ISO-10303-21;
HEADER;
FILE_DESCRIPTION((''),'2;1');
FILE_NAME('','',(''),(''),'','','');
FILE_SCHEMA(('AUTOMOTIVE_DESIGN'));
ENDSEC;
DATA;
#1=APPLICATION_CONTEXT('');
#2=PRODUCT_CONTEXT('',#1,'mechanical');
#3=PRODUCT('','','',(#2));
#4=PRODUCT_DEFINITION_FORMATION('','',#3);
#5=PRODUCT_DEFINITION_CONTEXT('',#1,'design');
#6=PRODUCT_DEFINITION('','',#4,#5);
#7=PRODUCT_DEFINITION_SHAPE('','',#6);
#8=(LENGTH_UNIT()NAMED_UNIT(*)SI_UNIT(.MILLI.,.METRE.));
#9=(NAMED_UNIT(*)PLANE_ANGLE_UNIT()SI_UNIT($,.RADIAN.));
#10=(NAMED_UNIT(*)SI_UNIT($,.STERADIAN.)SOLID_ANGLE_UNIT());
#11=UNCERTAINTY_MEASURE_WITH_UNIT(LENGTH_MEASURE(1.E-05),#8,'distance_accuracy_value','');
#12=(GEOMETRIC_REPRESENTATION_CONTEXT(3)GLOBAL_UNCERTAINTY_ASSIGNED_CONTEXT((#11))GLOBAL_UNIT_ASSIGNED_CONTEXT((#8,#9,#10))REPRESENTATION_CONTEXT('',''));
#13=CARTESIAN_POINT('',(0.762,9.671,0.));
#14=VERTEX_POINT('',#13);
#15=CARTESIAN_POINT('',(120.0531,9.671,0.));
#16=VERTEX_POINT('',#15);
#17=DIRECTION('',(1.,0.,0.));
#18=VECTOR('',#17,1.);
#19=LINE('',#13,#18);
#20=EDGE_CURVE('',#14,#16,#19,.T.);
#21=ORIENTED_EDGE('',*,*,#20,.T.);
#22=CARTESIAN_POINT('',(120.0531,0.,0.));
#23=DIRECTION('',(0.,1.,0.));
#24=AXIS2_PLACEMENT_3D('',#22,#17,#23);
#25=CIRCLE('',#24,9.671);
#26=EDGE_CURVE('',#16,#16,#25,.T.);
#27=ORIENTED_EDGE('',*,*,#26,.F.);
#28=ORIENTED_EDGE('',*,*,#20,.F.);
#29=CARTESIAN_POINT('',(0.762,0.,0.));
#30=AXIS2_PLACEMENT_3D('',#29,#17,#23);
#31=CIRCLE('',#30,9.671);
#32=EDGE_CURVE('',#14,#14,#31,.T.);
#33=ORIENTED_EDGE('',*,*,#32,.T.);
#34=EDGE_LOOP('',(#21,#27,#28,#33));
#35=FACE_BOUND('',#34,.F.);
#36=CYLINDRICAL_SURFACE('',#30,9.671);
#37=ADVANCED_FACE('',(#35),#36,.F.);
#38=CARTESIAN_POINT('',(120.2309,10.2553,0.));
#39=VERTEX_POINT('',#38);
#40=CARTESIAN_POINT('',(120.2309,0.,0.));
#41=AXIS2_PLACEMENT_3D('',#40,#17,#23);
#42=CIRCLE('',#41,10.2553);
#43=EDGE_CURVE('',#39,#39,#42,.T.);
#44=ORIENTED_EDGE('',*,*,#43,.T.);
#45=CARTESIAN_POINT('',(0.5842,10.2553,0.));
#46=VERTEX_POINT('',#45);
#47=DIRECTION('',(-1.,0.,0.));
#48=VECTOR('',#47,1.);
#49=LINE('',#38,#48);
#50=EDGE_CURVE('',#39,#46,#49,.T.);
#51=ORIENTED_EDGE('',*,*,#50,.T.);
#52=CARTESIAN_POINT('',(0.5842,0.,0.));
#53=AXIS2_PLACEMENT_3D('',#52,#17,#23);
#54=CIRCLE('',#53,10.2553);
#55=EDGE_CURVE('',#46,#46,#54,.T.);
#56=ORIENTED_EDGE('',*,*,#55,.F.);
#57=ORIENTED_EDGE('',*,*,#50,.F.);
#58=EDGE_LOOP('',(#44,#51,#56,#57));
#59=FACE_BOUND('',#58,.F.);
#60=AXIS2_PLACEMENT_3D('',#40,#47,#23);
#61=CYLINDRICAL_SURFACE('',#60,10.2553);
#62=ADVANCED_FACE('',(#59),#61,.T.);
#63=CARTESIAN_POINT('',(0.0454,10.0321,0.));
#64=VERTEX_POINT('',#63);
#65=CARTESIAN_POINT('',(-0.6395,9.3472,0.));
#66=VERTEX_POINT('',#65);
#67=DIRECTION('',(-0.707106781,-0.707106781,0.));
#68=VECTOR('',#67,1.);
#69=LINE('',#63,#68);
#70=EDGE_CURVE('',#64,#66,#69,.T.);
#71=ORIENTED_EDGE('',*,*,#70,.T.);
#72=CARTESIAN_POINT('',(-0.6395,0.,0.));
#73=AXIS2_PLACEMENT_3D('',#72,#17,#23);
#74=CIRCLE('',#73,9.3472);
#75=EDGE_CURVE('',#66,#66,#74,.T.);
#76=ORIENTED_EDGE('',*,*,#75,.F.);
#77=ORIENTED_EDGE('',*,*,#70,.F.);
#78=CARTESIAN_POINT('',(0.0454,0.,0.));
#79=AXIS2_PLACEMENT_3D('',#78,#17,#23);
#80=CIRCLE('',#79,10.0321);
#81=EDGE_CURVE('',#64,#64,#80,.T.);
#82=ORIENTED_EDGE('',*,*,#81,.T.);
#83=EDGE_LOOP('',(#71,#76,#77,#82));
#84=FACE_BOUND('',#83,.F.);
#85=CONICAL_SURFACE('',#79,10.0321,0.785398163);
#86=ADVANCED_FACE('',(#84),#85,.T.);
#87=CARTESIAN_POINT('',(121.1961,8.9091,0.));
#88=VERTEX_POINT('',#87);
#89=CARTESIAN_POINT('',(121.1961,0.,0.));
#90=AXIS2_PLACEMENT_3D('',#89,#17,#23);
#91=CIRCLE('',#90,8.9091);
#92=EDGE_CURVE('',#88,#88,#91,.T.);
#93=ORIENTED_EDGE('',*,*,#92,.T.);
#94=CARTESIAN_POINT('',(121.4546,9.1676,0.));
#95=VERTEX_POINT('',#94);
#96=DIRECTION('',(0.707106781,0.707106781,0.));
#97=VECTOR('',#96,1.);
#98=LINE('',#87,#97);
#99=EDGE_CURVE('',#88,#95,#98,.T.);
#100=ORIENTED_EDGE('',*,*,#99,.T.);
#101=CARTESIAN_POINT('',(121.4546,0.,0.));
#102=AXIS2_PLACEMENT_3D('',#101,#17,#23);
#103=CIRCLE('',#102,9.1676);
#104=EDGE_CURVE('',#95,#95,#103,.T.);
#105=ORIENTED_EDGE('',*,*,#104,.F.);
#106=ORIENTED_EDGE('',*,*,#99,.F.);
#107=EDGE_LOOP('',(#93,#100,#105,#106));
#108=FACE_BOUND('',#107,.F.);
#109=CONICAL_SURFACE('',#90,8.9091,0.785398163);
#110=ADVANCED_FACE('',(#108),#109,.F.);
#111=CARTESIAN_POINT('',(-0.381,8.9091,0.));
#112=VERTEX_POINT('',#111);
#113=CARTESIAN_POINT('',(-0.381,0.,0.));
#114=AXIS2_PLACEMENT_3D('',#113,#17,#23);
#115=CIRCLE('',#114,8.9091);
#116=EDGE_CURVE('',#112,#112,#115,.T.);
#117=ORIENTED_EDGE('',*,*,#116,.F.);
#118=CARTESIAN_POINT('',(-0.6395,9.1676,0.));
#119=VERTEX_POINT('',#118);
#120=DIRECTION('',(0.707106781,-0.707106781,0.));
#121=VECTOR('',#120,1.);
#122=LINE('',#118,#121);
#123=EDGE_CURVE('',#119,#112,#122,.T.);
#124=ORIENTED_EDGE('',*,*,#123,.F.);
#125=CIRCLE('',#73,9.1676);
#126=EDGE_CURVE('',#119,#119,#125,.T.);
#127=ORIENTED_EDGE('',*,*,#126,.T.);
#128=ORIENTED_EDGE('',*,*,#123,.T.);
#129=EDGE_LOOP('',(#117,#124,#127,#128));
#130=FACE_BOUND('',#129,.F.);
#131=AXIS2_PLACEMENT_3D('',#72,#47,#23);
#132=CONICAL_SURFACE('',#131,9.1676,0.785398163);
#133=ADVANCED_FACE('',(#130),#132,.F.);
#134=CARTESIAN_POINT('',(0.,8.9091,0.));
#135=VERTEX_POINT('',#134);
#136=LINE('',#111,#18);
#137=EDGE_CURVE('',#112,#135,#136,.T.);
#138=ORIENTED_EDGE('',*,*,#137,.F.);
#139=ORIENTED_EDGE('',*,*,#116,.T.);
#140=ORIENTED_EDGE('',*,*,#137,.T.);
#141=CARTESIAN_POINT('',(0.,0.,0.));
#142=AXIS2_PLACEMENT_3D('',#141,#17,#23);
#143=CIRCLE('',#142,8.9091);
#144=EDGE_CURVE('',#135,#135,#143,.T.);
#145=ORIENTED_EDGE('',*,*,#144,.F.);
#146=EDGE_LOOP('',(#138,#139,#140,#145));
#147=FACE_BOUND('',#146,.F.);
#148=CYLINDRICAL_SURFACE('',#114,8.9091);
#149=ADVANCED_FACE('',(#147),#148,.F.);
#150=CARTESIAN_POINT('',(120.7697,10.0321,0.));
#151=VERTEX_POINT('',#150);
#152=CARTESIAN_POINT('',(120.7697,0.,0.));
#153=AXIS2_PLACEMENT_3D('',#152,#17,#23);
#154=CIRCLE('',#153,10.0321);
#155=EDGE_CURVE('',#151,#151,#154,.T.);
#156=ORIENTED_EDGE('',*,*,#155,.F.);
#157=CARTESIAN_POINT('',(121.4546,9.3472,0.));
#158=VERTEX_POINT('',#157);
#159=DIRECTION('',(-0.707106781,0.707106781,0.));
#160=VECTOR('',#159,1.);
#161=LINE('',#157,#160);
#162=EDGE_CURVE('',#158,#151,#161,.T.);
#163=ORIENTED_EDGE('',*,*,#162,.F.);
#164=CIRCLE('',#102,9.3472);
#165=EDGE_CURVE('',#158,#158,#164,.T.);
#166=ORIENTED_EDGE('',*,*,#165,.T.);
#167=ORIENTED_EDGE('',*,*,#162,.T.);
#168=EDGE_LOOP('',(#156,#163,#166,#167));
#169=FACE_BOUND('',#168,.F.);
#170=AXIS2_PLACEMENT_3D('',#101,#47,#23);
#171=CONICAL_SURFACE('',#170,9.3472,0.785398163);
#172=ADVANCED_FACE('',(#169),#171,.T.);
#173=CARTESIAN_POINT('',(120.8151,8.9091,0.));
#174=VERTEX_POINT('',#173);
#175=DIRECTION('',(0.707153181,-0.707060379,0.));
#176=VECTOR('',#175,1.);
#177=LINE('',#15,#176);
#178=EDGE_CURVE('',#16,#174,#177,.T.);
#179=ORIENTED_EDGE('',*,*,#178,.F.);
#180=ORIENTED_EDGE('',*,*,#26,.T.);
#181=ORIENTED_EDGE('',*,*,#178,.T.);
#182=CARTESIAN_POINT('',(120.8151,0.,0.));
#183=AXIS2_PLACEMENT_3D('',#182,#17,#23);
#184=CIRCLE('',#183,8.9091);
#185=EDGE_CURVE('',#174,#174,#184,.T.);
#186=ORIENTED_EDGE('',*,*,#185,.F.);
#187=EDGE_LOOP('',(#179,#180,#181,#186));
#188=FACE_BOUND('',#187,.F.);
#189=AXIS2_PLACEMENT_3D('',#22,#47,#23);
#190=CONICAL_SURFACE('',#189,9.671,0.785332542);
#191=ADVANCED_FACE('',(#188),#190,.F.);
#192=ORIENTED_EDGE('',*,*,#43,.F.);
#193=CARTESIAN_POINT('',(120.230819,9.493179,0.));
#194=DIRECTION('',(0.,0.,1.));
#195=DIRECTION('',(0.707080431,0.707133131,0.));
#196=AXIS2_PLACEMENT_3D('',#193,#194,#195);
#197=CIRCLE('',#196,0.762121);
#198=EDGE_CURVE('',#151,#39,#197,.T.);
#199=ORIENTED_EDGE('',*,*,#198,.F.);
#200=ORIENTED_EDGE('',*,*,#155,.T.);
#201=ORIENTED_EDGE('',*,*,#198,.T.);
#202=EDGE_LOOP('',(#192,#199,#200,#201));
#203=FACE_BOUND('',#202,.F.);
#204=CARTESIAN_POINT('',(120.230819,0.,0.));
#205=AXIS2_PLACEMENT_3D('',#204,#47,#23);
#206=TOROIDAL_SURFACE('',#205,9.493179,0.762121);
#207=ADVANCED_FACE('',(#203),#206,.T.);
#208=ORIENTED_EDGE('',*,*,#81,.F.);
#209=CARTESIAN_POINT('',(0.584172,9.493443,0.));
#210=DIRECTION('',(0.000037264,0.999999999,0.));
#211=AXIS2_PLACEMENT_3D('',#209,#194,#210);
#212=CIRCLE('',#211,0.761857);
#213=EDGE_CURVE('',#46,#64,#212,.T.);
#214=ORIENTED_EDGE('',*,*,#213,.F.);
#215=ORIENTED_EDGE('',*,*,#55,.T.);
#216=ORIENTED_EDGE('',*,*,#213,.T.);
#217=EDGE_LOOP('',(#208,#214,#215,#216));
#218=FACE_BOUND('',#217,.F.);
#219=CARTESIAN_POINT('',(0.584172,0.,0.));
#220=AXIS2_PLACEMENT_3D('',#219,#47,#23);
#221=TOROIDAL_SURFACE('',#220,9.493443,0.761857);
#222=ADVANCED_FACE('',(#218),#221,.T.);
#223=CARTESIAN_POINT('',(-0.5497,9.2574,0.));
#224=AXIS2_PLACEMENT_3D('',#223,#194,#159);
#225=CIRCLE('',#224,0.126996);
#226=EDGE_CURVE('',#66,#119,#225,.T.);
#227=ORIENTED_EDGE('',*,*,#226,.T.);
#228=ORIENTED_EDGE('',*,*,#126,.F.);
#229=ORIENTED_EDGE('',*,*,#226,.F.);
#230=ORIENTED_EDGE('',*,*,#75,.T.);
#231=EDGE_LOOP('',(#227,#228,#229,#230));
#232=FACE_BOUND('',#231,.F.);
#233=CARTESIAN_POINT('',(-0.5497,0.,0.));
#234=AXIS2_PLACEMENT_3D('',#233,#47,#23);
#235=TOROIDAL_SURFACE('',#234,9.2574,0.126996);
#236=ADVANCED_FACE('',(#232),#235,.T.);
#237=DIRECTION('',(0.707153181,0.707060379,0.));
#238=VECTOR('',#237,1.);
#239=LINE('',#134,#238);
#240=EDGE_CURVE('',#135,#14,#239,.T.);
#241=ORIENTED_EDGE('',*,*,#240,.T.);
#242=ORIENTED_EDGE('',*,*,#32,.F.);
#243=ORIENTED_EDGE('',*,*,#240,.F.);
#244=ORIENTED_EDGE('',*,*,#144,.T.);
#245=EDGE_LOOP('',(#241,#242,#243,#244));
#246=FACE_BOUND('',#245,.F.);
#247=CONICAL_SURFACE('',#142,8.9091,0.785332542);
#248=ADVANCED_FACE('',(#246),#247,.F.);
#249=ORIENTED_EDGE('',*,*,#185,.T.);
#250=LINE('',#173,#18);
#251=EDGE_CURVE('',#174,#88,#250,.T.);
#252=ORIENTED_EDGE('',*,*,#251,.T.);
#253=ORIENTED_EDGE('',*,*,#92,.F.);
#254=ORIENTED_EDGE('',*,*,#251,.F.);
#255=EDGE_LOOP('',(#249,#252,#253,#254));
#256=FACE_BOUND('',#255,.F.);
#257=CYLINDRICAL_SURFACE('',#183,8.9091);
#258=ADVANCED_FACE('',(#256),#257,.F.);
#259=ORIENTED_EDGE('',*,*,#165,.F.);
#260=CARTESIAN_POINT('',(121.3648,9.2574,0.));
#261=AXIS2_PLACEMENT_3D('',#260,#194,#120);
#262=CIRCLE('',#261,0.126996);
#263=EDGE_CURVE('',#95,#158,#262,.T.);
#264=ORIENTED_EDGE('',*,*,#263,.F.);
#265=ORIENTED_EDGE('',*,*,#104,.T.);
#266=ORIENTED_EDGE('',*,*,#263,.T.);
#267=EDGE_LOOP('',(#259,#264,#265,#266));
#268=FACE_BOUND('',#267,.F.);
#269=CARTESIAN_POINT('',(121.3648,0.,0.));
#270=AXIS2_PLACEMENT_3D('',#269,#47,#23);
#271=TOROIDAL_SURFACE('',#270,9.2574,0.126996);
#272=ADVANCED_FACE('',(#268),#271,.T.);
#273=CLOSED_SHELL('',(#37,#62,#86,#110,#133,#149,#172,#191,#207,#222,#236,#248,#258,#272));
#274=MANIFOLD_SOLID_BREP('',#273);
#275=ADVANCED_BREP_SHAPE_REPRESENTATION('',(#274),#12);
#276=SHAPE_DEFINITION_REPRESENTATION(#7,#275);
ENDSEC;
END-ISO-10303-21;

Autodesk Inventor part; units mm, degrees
sketch "Sketch_1" plane through (0, 0, 0) normal (0, 0, 1) x (1, 0, 0)
  line L0 (120.8151, 0) -> (0, 0)
  arc A0 (-0.6395, 9.3472) -> (-0.6395, 9.1676) centre (-0.5497, 9.2574) ccw
  line L1 (-0.6395, 9.1676) -> (-0.381, 8.9091)
  line L2 (-0.381, 8.9091) -> (0, 8.9091)
  line L3 (0, 8.9091) -> (0.762, 9.671)
  line L4 (0.762, 9.671) -> (120.0531, 9.671)
  line L5 (120.0531, 9.671) -> (120.8151, 8.9091)
  line L6 (120.8151, 8.9091) -> (121.1961, 8.9091)
  line L7 (121.1961, 8.9091) -> (121.4546, 9.1676)
  arc A1 (121.4546, 9.1676) -> (121.4546, 9.3472) centre (121.3648, 9.2574) ccw
  line L8 (121.4546, 9.3472) -> (120.7697, 10.0321)
  arc A2 (120.7697, 10.0321) -> (120.2309, 10.2553) centre (120.2309, 9.4933) ccw
  line L9 (120.2309, 10.2553) -> (0.5842, 10.2553)
  arc A3 (0.5842, 10.2553) -> (0.0454, 10.0321) centre (0.5842, 9.4933) ccw
  line L10 (0.0454, 10.0321) -> (-0.6395, 9.3472)
revolve "Revolution1" add sketch "Sketch_1" angle 360 about axis through (120.8151, 0, 0) along (1, 0, 0)
ref_plane "tube_front_XY" through (0, 0, 0) normal (1, 0, 0) x (0, 0, -1)
ref_plane "tube_front_YZ" through (0, 0, 0) normal (0, 0, -1) x (0, 1, 0)
ref_plane "tube_front_ZX" through (0, 0, 0) normal (0, 1, 0) x (1, 0, 0)
ref_plane "tube_rear_XY" through (120.8151, 0, 0) normal (1, 0, 0) x (0, 0, -1)
ref_plane "tube_rear_YZ" through (120.8151, 0, 0) normal (0, 0, -1) x (0, 1, 0)
ref_plane "tube_rear_ZX" through (120.8151, 0, 0) normal (0, 1, 0) x (1, 0, 0)
ref_plane "cp1_XY" through (60.4076, 10.2553, 0) normal (1, 0, 0) x (0, 0, -1)
ref_plane "cp1_YZ" through (60.4076, 10.2553, 0) normal (0, 0, -1) x (0, 1, 0)
ref_plane "cp1_ZX" through (60.4076, 10.2553, 0) normal (0, 1, 0) x (1, 0, 0)
ref_plane "cp2_XY" through (60.4076, 0, -10.2553) normal (1, 0, 0) x (0, 0, -1)
ref_plane "cp2_YZ" through (60.4076, 0, -10.2553) normal (0, 0, -1) x (0, 1, 0)
ref_plane "cp2_ZX" through (60.4076, 0, -10.2553) normal (0, 1, 0) x (1, 0, 0)
ref_plane "cp3_XY" through (60.4076, -10.2553, 0) normal (1, 0, 0) x (0, 0, -1)
ref_plane "cp3_YZ" through (60.4076, -10.2553, 0) normal (0, 0, -1) x (0, 1, 0)
ref_plane "cp3_ZX" through (60.4076, -10.2553, 0) normal (0, 1, 0) x (1, 0, 0)
ref_plane "cp4_XY" through (60.4076, 0, 10.2553) normal (1, 0, 0) x (0, 0, -1)
ref_plane "cp4_YZ" through (60.4076, 0, 10.2553) normal (0, 0, -1) x (0, 1, 0)
ref_plane "cp4_ZX" through (60.4076, 0, 10.2553) normal (0, 1, 0) x (1, 0, 0)
properties part number "04R-4.75650C"
